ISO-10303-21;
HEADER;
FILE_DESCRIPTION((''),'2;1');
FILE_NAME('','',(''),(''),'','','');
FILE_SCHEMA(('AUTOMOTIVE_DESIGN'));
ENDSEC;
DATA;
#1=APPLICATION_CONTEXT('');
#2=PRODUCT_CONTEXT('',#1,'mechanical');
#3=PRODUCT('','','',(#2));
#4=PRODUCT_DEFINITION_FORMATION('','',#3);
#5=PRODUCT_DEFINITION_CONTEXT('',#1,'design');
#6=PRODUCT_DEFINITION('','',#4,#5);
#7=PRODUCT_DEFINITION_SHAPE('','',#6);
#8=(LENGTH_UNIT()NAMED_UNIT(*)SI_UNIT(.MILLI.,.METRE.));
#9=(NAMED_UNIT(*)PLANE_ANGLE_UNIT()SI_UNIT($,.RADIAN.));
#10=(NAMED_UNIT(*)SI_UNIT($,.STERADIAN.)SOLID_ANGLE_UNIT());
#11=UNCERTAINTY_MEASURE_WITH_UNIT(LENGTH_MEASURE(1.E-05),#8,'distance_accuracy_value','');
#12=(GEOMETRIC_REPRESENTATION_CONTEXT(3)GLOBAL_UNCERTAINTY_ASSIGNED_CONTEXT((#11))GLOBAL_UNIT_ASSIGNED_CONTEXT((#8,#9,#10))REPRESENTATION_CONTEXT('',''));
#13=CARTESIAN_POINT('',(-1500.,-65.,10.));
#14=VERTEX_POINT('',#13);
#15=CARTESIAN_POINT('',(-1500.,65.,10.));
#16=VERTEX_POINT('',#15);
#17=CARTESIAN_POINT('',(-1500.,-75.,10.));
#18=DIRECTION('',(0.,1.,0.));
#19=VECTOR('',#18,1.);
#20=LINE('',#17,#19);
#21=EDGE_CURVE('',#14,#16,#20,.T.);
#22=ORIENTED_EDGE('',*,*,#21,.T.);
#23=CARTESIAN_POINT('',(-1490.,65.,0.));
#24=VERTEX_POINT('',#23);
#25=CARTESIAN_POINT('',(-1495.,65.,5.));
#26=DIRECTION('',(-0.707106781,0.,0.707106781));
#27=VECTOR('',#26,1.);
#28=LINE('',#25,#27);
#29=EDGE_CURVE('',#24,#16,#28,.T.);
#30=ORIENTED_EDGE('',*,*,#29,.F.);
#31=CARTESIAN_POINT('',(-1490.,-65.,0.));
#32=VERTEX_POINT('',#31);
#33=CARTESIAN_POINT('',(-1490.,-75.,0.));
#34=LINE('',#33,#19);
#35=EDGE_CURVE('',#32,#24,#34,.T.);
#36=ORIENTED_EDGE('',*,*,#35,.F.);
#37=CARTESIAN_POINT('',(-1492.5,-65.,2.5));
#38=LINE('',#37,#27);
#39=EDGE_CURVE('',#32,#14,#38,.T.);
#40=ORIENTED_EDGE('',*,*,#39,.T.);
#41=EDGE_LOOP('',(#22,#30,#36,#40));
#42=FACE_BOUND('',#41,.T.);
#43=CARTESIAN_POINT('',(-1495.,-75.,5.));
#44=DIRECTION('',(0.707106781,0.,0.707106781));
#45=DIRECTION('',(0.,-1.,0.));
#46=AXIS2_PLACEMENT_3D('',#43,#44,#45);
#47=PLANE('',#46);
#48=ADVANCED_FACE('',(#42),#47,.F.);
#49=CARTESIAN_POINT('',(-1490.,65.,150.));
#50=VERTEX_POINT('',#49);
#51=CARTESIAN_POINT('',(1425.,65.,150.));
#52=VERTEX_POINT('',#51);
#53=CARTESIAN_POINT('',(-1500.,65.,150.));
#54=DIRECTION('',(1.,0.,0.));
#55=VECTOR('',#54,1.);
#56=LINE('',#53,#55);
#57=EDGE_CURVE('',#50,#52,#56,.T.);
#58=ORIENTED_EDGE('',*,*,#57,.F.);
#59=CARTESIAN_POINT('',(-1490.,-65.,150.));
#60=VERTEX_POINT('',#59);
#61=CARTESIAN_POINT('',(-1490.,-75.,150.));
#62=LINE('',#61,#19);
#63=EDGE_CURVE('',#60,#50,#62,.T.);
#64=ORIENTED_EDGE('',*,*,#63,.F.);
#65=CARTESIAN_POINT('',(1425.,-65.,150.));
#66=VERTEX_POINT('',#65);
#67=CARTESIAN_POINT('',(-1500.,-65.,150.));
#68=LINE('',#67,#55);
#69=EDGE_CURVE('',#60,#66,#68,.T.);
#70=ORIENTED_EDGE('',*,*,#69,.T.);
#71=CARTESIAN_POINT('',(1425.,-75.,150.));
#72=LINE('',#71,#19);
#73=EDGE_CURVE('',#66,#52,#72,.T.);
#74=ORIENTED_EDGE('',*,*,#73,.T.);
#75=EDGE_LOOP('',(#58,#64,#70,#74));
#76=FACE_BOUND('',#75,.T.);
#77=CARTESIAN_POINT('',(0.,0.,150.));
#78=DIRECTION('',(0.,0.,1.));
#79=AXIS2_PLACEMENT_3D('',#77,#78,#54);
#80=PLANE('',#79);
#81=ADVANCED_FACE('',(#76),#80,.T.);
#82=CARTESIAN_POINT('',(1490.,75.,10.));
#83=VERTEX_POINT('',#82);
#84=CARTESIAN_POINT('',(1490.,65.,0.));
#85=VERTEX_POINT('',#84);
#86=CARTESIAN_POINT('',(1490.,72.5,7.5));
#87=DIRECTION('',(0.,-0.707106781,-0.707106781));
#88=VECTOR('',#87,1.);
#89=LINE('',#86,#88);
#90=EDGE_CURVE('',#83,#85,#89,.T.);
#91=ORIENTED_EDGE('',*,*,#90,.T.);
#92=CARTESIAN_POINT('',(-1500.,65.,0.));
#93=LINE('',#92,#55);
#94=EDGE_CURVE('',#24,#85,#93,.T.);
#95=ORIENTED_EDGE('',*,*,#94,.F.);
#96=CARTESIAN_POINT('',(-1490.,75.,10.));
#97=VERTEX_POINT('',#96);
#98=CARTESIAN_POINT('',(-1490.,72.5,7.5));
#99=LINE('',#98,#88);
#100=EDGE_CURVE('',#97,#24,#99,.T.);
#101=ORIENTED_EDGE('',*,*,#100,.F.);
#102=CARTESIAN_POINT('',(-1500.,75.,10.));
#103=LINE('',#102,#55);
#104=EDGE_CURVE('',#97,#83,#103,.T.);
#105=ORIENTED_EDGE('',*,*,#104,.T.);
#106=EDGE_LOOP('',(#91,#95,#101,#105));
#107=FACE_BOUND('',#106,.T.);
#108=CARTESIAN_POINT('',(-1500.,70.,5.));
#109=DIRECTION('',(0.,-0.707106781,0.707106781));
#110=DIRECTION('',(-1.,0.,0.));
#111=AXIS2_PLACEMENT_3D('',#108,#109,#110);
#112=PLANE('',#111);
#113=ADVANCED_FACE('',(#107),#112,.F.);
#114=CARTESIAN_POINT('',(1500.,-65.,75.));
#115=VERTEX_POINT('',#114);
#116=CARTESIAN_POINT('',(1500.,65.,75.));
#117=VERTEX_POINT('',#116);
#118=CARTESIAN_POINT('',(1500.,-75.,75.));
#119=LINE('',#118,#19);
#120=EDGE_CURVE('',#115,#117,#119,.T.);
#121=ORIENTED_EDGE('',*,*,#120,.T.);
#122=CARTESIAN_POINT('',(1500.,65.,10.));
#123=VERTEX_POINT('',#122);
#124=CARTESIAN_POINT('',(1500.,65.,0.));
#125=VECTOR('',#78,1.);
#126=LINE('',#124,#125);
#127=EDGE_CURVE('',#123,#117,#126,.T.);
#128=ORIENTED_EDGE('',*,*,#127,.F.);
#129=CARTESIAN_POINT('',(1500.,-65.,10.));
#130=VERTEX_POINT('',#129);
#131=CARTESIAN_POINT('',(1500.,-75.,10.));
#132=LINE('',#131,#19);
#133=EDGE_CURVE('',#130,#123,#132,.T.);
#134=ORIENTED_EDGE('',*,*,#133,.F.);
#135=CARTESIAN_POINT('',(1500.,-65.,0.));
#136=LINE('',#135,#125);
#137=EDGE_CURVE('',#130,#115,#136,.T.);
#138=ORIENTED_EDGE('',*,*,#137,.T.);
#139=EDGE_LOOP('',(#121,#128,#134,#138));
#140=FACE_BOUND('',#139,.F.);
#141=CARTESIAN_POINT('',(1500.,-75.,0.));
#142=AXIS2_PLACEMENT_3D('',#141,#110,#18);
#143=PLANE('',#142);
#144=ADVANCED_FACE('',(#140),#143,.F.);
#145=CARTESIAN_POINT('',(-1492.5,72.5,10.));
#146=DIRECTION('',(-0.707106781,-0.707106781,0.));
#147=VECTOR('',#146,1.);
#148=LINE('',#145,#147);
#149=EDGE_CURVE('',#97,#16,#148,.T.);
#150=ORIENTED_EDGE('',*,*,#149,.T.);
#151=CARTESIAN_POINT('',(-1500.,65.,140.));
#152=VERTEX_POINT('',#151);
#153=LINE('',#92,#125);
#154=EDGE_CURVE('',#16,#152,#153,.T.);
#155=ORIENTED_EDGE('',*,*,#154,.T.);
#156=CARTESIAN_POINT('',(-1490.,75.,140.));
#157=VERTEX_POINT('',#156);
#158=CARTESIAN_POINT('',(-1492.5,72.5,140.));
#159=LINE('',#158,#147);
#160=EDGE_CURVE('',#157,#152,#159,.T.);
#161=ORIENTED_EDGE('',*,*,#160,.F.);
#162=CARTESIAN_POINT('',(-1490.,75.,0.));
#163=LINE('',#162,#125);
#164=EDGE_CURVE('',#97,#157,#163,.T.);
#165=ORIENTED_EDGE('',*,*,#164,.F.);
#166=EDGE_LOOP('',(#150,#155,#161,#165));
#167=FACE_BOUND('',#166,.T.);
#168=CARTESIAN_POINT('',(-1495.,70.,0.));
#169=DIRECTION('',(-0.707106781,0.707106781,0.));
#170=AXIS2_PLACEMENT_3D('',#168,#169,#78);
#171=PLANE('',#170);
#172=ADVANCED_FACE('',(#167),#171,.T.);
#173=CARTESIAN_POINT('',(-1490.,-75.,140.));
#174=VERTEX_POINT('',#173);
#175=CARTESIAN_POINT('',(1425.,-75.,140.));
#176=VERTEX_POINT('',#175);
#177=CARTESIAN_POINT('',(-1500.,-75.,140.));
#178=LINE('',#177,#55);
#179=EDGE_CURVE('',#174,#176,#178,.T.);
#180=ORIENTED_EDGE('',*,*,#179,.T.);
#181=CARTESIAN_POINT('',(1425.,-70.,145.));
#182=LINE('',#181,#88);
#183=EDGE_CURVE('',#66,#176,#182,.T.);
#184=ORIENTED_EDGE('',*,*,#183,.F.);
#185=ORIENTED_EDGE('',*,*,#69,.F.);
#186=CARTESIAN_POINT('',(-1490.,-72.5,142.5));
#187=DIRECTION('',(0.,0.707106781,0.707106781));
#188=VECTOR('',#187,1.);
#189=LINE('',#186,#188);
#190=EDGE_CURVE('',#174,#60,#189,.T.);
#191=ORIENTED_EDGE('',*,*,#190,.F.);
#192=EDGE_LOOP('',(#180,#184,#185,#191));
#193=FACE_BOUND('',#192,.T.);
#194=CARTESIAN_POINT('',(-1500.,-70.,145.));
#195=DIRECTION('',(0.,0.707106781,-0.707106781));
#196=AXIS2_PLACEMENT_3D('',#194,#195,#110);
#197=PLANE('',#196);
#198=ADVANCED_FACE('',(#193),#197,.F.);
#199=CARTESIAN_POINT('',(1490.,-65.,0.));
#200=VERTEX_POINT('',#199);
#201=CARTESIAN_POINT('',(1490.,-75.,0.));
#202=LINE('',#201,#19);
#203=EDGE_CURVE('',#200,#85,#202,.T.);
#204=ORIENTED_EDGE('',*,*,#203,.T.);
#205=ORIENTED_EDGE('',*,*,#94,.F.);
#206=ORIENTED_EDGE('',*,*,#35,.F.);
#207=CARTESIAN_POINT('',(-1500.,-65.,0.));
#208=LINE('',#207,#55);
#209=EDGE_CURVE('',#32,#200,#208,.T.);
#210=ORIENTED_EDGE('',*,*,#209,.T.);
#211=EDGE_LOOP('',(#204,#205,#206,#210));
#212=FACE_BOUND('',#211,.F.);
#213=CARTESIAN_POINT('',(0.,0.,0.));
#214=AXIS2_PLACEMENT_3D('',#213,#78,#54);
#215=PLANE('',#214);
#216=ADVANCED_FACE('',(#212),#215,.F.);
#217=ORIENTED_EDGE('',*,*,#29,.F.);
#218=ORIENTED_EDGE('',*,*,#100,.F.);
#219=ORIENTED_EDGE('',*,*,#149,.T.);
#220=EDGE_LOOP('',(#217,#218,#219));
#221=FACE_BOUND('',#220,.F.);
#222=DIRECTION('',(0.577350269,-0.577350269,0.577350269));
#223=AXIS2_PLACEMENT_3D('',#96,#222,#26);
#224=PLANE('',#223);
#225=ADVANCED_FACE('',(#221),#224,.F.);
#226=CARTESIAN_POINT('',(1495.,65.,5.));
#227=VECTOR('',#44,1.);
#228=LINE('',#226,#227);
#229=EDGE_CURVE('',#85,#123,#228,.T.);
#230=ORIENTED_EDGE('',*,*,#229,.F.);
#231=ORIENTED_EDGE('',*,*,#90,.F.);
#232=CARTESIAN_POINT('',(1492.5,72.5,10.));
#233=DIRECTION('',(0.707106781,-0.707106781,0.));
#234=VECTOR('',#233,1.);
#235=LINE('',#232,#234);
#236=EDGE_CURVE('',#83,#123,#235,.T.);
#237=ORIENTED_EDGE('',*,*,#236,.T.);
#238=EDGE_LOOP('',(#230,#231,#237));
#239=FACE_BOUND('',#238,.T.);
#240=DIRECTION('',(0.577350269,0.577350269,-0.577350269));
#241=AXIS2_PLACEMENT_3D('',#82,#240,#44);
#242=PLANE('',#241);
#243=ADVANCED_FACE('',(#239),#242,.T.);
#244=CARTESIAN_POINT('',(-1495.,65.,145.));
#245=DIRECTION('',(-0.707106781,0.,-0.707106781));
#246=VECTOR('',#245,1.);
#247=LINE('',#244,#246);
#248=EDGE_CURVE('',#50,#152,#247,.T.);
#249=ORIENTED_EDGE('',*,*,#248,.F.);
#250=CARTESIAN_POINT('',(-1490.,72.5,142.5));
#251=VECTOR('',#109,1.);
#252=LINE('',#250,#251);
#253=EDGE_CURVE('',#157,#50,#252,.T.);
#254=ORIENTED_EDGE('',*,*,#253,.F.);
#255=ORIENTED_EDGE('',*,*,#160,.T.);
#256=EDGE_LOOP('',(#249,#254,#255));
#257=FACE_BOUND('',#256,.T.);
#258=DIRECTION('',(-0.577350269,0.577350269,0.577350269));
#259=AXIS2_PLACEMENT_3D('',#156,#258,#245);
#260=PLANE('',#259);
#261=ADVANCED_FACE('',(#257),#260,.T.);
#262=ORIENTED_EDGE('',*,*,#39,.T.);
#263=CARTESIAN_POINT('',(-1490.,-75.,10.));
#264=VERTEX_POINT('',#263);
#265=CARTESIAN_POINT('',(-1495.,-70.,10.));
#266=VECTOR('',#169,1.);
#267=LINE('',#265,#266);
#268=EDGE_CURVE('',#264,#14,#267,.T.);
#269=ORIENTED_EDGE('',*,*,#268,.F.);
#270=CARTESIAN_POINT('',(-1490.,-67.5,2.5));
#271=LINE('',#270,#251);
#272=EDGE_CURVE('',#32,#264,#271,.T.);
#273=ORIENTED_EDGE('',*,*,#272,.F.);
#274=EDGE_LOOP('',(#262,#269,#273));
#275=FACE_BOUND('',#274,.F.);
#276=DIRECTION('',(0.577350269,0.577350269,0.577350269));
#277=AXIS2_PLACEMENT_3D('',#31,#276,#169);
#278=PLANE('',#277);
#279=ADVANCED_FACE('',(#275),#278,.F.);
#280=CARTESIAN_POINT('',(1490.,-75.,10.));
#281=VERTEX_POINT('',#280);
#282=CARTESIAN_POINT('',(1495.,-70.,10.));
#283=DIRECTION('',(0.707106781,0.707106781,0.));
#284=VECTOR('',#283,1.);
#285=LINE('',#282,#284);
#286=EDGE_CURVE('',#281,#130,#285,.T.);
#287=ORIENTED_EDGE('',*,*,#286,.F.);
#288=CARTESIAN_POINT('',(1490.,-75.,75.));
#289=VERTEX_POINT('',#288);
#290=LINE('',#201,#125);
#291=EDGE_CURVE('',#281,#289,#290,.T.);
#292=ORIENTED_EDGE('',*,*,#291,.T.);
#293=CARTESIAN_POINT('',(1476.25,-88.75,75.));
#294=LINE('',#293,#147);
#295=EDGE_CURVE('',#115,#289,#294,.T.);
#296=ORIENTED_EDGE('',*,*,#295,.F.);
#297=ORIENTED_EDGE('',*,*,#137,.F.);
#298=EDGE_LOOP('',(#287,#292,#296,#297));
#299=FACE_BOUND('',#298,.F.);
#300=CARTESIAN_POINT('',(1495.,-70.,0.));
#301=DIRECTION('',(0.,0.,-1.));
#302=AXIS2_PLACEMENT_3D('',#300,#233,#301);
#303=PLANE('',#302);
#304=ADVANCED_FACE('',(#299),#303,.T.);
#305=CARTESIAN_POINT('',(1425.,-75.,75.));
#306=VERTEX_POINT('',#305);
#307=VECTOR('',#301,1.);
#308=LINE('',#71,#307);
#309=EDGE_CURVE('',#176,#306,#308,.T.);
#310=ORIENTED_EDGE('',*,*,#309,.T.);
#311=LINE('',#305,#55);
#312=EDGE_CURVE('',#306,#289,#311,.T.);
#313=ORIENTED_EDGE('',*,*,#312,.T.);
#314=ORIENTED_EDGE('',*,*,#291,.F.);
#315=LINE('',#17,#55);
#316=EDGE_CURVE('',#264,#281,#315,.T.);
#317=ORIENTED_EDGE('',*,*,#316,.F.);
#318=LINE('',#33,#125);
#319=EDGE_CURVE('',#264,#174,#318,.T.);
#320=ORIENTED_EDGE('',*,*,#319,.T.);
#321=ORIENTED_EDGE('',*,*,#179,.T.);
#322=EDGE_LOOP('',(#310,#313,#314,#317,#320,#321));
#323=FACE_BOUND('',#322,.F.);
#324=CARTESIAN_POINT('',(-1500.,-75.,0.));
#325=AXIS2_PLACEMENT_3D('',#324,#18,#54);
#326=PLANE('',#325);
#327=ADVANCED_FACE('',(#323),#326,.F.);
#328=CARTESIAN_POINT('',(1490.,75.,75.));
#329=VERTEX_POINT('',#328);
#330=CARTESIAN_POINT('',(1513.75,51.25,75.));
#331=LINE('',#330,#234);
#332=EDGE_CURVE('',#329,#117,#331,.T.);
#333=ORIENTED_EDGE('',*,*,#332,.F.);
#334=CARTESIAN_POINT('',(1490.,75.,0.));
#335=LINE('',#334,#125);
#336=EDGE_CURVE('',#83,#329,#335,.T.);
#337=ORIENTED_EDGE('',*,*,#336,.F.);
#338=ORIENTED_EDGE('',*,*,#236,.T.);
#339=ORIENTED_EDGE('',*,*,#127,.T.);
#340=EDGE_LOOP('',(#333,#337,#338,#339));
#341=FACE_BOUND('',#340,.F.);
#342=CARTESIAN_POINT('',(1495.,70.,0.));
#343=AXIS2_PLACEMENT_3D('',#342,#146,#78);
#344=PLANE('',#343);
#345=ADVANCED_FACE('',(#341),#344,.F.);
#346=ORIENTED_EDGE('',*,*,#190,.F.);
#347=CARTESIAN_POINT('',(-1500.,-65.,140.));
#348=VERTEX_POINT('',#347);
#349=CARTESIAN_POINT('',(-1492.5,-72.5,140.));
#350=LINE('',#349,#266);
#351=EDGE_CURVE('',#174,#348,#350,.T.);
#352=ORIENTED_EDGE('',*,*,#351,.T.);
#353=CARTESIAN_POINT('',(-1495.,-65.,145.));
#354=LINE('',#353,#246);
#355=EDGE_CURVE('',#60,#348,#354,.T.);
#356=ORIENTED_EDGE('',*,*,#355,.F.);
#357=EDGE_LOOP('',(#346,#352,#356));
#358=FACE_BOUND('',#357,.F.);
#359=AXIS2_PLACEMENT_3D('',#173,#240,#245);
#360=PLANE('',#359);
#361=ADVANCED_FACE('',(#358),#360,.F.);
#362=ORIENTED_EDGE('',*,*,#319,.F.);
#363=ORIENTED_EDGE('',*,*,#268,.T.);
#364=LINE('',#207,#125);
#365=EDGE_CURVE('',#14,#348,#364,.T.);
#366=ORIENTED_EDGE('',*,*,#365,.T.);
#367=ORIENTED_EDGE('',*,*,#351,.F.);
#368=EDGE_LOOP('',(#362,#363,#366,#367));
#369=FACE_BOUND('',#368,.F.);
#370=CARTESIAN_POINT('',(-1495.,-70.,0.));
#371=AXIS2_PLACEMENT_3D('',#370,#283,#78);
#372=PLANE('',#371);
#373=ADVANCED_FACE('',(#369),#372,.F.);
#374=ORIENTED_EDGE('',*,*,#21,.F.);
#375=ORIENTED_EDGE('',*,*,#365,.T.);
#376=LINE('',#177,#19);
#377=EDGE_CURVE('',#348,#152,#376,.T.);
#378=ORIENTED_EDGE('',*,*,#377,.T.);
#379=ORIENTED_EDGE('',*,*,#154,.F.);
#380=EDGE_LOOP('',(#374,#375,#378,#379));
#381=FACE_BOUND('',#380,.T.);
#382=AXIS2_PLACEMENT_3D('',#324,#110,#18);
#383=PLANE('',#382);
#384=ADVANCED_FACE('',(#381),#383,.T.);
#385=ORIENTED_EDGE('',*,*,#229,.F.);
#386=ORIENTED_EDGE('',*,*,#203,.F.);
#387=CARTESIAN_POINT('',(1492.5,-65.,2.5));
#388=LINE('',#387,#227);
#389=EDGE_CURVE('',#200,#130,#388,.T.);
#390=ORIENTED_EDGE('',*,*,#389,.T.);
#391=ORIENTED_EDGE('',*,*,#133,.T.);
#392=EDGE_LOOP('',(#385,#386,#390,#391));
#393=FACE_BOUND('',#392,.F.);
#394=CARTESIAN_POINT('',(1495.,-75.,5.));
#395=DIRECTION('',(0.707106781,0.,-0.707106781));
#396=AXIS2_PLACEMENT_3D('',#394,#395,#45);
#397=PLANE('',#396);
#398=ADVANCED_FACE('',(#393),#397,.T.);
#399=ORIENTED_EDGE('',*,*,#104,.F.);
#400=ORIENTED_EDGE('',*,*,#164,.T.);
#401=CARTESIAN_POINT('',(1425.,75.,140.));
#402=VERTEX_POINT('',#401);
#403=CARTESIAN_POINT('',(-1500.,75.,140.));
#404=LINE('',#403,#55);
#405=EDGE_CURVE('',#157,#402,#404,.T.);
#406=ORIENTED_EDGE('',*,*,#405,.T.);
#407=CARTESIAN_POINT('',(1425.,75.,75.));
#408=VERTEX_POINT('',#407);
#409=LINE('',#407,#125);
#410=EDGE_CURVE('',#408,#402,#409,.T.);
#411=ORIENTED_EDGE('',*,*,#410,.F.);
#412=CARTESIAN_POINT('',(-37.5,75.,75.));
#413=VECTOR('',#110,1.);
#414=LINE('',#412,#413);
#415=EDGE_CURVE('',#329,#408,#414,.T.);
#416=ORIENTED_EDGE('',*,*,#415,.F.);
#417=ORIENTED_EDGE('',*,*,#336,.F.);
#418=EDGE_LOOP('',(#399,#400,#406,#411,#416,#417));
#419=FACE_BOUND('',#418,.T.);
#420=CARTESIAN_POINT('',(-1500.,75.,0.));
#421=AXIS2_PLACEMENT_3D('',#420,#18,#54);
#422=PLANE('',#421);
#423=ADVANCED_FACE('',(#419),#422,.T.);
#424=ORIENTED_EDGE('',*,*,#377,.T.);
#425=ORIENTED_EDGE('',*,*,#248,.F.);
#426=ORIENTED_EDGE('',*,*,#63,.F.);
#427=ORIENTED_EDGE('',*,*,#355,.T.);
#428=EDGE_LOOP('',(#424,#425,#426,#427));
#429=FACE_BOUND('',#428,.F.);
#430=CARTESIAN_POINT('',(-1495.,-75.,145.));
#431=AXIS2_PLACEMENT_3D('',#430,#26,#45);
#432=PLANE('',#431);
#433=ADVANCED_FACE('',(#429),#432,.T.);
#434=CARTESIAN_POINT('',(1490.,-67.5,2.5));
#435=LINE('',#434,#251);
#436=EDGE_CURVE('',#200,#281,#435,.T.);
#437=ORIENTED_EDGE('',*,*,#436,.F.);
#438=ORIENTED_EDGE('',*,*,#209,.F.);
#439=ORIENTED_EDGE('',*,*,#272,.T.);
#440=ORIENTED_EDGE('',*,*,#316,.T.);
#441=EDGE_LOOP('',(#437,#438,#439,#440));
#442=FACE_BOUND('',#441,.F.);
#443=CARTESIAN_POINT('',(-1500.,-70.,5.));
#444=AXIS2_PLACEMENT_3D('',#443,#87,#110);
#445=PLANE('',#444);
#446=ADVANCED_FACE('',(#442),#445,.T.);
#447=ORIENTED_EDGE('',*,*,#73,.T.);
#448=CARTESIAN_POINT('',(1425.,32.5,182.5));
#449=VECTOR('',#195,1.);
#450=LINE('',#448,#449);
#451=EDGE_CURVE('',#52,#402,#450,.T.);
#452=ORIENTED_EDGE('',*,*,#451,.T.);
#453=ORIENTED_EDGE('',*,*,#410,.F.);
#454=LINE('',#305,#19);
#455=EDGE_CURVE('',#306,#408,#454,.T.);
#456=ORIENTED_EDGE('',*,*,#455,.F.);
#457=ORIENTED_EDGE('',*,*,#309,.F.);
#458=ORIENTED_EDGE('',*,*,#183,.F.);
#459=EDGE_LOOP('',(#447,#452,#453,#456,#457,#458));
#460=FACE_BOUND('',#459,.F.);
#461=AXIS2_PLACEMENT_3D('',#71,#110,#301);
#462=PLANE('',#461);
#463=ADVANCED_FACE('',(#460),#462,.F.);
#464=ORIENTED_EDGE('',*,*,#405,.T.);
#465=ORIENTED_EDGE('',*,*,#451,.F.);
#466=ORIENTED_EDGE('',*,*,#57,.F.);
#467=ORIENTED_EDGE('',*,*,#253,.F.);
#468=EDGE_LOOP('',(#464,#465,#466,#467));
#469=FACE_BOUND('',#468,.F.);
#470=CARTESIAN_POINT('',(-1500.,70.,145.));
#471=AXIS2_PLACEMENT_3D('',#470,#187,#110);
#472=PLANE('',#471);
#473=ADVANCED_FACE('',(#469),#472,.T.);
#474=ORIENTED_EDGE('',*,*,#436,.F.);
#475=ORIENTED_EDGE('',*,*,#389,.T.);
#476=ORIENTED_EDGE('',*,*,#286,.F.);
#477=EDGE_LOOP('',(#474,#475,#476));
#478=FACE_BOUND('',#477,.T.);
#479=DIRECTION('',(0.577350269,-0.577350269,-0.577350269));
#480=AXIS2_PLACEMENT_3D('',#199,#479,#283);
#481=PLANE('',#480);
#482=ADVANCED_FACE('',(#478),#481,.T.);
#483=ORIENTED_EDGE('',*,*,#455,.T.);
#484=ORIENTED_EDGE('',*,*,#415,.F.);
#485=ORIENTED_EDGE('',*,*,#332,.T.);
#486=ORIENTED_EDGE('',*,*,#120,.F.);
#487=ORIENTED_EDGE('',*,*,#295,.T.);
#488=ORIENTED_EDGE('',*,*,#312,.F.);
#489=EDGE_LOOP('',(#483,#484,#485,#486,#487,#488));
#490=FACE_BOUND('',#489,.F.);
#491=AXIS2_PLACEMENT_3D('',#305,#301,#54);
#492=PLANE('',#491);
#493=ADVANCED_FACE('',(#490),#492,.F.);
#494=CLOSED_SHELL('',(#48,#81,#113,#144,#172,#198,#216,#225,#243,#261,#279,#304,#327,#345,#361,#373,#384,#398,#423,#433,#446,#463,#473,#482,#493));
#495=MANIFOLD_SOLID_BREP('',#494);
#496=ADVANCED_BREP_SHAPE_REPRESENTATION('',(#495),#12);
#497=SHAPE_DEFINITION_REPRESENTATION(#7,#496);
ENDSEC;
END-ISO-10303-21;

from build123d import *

# Parameters (mm, degrees)
F0_W     = 3000
F0_H     = 150
F1_DEPTH = 150
F2_SIZE  = 10
F3_W     = 65
F3_H     = 65
F4_DEPTH = 150.001


with BuildPart() as f1:
    # F0 (on Top) → F1 (new body)
    with BuildSketch(Plane.XY):
        Rectangle(F0_W, F0_H)
    extrude(amount=F1_DEPTH)

    # F2
    f2_edges = [f1.edges().sort_by_distance(p)[0] for p in [
        (-1500, 0, 150),
        (0, -75, 150),
        (1500, 0, 150),
        (0, 75, 150),
        (-1500, -75, 75),
        (1500, -75, 75),
        (0, -75, 0),
        (-1500, 0, 0),
        (1500, 0, 0),
        (0, 75, 0),
        (1500, 75, 75),
        (-1500, 75, 75),
    ]]
    chamfer(f2_edges, length=F2_SIZE)

    # F3 (on face) → F4 (cut, through all)
    with BuildSketch(Plane.XZ.offset(75)):
        with Locations((1457.5, 107.5)):
            Rectangle(F3_W, F3_H)
        Polygon((1490, 140), (1490, 75), (1500, 75), (1500, 150), (1425, 150), (1425, 140), align=None)
    extrude(amount=-F4_DEPTH, mode=Mode.SUBTRACT)


solid = f1.part
